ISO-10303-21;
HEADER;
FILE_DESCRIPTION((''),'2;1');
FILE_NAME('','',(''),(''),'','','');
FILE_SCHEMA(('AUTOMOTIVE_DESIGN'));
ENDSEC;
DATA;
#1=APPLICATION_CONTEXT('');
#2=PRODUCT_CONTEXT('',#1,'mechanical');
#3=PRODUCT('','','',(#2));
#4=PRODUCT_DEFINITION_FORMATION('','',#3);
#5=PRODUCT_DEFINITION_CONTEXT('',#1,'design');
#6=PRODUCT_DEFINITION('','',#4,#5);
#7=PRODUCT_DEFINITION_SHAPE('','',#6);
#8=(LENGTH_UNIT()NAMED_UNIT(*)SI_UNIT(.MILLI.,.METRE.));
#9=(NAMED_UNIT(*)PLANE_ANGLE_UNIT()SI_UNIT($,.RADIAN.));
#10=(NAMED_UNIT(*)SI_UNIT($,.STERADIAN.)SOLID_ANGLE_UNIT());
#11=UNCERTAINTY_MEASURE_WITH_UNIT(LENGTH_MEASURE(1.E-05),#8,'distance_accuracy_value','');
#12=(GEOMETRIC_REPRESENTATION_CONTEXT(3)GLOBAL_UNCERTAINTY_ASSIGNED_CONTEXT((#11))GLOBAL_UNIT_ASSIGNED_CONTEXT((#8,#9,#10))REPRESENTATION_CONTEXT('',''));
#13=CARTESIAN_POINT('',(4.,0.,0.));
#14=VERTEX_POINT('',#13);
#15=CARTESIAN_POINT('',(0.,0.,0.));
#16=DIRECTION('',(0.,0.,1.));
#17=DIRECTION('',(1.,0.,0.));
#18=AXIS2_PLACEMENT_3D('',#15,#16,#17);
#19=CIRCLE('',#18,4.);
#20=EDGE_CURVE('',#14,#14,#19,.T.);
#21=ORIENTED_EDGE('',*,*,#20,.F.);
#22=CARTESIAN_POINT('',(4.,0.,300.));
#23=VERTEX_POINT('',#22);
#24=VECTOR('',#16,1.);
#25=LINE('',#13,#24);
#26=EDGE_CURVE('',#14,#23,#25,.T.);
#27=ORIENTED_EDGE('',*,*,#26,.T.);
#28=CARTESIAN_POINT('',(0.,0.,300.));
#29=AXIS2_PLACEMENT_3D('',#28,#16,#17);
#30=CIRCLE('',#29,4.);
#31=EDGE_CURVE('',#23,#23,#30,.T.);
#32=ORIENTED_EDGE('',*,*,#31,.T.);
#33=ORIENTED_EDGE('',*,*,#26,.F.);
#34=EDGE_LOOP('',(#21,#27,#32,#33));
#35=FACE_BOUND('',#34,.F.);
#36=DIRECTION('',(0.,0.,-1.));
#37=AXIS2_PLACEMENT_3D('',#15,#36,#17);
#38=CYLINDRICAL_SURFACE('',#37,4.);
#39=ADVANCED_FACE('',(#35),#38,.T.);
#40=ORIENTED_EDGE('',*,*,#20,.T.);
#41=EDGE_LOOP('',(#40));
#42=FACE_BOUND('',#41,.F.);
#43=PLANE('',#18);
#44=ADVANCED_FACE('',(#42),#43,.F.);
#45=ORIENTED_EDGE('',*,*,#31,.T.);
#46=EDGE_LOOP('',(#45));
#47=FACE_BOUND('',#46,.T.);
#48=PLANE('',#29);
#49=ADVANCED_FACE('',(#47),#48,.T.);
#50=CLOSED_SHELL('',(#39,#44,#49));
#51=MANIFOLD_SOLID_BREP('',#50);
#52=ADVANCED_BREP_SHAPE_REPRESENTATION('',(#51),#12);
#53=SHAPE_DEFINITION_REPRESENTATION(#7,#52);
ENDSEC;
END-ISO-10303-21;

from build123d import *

# Parameters (mm, degrees)
SKETCH1_R           = 4
BOSS_EXTRUDE1_DEPTH = 300


with BuildPart() as part:
    # Sketch1 → Boss-Extrude1 (new body)
    with BuildSketch(Plane.XY):
        Circle(SKETCH1_R)
    extrude(amount=BOSS_EXTRUDE1_DEPTH)


solid = part.part
